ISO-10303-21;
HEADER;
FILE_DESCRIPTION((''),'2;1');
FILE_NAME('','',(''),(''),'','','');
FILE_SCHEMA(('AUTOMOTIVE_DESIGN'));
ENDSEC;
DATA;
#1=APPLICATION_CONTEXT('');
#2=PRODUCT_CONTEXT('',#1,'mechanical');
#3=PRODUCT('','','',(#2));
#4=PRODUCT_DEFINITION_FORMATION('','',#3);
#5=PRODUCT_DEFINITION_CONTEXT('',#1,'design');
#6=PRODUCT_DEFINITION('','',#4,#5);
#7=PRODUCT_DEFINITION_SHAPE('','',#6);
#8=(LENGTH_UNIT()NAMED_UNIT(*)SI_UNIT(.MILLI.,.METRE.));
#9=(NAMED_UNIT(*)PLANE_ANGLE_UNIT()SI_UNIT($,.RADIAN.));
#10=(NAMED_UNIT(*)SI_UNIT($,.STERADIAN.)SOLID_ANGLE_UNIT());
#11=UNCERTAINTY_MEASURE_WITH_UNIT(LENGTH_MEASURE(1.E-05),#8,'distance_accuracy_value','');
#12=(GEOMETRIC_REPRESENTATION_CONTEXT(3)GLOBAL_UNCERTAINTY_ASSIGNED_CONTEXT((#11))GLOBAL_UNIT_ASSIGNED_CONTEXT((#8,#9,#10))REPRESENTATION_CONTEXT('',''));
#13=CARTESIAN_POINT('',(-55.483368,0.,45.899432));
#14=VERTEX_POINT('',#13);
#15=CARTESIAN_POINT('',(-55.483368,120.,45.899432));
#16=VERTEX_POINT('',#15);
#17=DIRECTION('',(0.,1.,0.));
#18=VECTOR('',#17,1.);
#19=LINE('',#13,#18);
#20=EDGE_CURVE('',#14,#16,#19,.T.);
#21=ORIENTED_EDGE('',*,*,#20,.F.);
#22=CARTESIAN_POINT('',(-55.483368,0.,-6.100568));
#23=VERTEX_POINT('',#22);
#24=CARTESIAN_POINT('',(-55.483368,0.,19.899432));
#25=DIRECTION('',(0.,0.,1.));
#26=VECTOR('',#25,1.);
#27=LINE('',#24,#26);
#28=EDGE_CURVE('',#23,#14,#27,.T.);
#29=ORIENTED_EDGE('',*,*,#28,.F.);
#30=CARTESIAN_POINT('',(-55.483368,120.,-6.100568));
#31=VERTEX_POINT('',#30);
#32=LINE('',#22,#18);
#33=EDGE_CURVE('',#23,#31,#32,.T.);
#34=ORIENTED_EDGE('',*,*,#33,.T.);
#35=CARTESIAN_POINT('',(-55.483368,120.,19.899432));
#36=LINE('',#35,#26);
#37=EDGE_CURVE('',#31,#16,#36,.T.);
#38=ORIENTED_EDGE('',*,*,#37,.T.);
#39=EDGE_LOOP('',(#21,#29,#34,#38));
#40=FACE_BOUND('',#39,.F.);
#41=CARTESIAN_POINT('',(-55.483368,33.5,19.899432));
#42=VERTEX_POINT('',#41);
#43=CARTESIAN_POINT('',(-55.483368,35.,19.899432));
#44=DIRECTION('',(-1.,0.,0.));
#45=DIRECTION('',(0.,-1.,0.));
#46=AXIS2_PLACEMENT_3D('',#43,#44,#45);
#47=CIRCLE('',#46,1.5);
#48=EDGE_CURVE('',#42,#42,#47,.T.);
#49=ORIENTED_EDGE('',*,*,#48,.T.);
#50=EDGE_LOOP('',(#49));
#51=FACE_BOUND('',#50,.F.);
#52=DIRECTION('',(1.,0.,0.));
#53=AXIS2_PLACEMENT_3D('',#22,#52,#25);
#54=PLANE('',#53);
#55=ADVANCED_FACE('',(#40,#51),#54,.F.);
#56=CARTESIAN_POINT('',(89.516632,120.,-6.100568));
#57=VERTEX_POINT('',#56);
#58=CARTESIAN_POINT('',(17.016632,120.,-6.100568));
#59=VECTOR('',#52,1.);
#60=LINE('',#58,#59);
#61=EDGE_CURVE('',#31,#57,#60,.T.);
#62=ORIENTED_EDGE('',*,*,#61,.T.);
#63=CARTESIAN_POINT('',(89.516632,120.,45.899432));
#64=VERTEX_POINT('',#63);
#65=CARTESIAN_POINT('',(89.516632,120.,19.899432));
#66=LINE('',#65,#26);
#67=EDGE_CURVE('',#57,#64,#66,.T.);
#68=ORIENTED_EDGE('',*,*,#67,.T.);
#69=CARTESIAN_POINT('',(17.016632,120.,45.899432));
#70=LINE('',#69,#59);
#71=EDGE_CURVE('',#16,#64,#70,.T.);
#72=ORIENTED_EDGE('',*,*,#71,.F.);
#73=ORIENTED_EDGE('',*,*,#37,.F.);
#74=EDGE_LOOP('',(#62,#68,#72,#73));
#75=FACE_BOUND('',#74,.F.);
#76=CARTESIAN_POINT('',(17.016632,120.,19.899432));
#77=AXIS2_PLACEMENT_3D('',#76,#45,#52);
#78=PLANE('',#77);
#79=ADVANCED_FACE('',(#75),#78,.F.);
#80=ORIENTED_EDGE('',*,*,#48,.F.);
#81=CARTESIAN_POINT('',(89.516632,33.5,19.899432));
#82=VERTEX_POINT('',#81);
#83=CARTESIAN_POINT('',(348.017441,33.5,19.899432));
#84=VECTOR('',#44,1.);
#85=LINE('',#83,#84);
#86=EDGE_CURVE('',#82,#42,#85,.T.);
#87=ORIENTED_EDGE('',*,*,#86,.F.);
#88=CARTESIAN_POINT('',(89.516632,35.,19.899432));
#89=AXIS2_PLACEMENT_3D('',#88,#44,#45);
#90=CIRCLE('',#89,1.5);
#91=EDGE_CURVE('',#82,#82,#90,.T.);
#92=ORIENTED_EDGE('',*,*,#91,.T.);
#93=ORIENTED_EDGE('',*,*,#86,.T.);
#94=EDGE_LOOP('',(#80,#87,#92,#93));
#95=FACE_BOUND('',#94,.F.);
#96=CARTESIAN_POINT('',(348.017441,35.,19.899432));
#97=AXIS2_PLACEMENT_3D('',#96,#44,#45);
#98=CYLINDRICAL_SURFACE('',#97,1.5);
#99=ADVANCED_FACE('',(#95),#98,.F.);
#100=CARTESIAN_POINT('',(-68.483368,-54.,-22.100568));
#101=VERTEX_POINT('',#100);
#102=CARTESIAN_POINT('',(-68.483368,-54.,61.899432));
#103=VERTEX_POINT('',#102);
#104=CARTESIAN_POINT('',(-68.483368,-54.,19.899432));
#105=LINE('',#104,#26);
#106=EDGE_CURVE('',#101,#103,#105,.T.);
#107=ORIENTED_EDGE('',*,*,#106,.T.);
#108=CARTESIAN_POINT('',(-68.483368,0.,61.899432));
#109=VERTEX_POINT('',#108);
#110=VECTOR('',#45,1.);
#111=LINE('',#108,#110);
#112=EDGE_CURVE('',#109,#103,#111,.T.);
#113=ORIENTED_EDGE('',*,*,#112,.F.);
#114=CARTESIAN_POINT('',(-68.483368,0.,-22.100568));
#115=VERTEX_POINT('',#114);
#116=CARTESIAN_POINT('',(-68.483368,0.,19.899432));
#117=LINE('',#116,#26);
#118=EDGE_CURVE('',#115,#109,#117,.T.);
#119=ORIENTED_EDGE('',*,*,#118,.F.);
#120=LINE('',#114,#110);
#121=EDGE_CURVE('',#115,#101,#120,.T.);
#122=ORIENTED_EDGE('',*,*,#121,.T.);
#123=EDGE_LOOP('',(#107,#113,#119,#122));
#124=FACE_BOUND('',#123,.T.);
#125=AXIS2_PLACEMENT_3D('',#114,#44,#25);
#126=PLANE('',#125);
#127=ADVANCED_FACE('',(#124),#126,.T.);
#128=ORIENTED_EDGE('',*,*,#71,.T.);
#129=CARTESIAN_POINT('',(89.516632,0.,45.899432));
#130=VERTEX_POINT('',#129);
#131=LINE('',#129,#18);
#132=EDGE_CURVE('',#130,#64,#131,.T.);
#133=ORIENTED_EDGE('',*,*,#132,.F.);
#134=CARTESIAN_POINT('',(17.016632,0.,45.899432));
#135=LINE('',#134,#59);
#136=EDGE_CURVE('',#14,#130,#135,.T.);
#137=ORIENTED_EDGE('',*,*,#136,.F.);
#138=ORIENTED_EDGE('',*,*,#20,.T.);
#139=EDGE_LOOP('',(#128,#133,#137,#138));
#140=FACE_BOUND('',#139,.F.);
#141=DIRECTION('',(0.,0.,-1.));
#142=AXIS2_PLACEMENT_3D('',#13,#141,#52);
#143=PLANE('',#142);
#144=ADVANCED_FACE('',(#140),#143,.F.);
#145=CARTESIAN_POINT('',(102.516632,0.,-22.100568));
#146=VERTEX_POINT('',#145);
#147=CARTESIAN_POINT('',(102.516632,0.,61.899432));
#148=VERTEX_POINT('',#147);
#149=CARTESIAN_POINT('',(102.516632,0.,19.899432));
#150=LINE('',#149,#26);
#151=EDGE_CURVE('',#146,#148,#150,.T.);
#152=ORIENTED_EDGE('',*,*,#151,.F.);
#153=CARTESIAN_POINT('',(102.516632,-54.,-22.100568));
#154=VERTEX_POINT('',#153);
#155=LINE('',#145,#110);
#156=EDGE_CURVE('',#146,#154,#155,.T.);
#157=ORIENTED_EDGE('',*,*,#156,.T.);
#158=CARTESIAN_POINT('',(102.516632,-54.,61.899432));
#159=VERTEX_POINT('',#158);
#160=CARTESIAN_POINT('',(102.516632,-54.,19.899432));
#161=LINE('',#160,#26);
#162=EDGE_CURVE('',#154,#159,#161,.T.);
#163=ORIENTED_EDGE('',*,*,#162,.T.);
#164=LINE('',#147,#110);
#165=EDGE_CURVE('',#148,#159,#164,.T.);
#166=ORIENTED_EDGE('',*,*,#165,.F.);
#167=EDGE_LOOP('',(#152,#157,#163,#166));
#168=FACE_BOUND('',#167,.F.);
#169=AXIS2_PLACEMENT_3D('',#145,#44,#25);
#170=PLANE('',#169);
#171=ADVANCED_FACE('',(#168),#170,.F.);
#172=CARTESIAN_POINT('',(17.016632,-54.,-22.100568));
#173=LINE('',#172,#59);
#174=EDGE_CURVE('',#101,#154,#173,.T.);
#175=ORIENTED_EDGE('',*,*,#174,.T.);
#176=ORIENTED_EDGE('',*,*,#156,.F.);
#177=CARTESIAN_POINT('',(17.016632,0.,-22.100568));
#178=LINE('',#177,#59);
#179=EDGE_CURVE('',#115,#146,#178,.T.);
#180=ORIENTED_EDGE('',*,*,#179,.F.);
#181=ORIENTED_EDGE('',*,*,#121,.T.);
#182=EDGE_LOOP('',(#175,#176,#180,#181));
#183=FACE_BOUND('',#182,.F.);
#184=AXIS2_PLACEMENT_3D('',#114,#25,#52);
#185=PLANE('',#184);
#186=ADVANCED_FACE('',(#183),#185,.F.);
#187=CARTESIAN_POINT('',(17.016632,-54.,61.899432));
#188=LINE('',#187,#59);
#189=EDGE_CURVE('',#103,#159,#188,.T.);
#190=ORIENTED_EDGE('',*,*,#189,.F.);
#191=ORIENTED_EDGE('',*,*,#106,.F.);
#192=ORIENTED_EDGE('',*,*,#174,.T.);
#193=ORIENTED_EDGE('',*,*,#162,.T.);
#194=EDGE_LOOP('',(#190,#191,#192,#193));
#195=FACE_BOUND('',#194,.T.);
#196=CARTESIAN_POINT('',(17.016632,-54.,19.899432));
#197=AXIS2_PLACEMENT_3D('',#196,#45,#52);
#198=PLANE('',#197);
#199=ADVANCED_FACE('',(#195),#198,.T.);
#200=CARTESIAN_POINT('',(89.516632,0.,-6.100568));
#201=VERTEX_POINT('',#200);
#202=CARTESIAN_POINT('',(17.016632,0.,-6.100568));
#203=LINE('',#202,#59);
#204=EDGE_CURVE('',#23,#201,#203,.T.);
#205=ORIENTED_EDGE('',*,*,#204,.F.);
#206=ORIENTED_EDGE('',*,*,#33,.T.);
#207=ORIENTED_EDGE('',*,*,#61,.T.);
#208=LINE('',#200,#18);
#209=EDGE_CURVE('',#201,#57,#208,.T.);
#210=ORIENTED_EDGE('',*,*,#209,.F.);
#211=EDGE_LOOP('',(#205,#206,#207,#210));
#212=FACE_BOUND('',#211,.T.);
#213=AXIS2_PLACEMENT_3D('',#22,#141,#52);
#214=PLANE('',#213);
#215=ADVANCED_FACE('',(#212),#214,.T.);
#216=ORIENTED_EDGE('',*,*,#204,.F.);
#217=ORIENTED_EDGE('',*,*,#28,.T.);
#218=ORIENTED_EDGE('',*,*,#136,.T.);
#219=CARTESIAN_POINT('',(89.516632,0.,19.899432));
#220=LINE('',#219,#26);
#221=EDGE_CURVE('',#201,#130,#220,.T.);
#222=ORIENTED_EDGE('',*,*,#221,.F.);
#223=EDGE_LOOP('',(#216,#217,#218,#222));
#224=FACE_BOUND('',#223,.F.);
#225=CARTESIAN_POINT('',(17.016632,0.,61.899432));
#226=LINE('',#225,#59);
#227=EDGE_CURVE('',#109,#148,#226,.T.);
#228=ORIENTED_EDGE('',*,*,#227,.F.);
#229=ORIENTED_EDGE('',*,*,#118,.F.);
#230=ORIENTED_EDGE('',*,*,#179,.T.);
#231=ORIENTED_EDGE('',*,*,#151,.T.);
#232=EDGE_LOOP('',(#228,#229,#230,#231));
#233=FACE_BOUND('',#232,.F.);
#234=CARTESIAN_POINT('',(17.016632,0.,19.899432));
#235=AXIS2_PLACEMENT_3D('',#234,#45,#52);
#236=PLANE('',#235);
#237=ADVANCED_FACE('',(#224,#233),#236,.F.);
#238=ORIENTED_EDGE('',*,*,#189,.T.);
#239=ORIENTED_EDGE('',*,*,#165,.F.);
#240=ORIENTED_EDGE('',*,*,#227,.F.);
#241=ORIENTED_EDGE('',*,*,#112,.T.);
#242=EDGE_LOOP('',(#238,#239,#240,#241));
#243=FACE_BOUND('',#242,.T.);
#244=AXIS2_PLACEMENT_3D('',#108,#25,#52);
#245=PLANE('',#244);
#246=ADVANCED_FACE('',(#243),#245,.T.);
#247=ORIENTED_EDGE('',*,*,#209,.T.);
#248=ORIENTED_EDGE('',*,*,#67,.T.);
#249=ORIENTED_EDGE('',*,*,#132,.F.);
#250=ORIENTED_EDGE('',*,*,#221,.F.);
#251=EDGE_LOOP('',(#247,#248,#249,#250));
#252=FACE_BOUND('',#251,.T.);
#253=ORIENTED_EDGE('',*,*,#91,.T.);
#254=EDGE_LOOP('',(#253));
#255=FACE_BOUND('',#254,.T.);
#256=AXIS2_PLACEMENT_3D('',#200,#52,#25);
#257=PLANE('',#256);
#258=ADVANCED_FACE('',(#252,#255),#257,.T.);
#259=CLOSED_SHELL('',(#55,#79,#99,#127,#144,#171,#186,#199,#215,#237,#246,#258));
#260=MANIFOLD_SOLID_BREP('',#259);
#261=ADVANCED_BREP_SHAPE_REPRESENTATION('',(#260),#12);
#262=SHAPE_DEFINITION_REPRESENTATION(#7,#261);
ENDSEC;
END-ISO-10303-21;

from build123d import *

# Parameters (mm, degrees)
F0_W      = 145
F0_H      = 52
F1_DEPTH  = 120
F0_W_2    = 171
F0_H_2    = 84
F1_FACE_W = 145
F1_FACE_H = 52
F2_DEPTH  = 54
F5_D      = 3


with BuildPart() as f1:
    # F0 (on Front) → F1 (new body)
    with BuildSketch(Plane.XZ):
        with Locations((17.016632, 19.899432)):
            Rectangle(F0_W, F0_H)
    extrude(amount=-F1_DEPTH)

    # F0 (on Front) + F1_face (on face) → F2 (join)
    with BuildSketch(Plane.XZ):
        with Locations((17.016632, 19.899432)):
            Rectangle(F0_W_2, F0_H_2)
        with Locations((17.016632, 19.899432)):
            Rectangle(F0_W, F0_H, mode=Mode.SUBTRACT)
    with BuildSketch(Plane(origin=(17.016632, 0, 19.899432), x_dir=(1, 0, 0), z_dir=(0, -1, 0))):
        Rectangle(F1_FACE_W, F1_FACE_H)
    extrude(amount=F2_DEPTH)

    # F5 (through all)
    with Locations(Plane.YZ.offset(90)):
        with Locations((35, 19.899432)):
            Hole(F5_D / 2)


solid = f1.part
